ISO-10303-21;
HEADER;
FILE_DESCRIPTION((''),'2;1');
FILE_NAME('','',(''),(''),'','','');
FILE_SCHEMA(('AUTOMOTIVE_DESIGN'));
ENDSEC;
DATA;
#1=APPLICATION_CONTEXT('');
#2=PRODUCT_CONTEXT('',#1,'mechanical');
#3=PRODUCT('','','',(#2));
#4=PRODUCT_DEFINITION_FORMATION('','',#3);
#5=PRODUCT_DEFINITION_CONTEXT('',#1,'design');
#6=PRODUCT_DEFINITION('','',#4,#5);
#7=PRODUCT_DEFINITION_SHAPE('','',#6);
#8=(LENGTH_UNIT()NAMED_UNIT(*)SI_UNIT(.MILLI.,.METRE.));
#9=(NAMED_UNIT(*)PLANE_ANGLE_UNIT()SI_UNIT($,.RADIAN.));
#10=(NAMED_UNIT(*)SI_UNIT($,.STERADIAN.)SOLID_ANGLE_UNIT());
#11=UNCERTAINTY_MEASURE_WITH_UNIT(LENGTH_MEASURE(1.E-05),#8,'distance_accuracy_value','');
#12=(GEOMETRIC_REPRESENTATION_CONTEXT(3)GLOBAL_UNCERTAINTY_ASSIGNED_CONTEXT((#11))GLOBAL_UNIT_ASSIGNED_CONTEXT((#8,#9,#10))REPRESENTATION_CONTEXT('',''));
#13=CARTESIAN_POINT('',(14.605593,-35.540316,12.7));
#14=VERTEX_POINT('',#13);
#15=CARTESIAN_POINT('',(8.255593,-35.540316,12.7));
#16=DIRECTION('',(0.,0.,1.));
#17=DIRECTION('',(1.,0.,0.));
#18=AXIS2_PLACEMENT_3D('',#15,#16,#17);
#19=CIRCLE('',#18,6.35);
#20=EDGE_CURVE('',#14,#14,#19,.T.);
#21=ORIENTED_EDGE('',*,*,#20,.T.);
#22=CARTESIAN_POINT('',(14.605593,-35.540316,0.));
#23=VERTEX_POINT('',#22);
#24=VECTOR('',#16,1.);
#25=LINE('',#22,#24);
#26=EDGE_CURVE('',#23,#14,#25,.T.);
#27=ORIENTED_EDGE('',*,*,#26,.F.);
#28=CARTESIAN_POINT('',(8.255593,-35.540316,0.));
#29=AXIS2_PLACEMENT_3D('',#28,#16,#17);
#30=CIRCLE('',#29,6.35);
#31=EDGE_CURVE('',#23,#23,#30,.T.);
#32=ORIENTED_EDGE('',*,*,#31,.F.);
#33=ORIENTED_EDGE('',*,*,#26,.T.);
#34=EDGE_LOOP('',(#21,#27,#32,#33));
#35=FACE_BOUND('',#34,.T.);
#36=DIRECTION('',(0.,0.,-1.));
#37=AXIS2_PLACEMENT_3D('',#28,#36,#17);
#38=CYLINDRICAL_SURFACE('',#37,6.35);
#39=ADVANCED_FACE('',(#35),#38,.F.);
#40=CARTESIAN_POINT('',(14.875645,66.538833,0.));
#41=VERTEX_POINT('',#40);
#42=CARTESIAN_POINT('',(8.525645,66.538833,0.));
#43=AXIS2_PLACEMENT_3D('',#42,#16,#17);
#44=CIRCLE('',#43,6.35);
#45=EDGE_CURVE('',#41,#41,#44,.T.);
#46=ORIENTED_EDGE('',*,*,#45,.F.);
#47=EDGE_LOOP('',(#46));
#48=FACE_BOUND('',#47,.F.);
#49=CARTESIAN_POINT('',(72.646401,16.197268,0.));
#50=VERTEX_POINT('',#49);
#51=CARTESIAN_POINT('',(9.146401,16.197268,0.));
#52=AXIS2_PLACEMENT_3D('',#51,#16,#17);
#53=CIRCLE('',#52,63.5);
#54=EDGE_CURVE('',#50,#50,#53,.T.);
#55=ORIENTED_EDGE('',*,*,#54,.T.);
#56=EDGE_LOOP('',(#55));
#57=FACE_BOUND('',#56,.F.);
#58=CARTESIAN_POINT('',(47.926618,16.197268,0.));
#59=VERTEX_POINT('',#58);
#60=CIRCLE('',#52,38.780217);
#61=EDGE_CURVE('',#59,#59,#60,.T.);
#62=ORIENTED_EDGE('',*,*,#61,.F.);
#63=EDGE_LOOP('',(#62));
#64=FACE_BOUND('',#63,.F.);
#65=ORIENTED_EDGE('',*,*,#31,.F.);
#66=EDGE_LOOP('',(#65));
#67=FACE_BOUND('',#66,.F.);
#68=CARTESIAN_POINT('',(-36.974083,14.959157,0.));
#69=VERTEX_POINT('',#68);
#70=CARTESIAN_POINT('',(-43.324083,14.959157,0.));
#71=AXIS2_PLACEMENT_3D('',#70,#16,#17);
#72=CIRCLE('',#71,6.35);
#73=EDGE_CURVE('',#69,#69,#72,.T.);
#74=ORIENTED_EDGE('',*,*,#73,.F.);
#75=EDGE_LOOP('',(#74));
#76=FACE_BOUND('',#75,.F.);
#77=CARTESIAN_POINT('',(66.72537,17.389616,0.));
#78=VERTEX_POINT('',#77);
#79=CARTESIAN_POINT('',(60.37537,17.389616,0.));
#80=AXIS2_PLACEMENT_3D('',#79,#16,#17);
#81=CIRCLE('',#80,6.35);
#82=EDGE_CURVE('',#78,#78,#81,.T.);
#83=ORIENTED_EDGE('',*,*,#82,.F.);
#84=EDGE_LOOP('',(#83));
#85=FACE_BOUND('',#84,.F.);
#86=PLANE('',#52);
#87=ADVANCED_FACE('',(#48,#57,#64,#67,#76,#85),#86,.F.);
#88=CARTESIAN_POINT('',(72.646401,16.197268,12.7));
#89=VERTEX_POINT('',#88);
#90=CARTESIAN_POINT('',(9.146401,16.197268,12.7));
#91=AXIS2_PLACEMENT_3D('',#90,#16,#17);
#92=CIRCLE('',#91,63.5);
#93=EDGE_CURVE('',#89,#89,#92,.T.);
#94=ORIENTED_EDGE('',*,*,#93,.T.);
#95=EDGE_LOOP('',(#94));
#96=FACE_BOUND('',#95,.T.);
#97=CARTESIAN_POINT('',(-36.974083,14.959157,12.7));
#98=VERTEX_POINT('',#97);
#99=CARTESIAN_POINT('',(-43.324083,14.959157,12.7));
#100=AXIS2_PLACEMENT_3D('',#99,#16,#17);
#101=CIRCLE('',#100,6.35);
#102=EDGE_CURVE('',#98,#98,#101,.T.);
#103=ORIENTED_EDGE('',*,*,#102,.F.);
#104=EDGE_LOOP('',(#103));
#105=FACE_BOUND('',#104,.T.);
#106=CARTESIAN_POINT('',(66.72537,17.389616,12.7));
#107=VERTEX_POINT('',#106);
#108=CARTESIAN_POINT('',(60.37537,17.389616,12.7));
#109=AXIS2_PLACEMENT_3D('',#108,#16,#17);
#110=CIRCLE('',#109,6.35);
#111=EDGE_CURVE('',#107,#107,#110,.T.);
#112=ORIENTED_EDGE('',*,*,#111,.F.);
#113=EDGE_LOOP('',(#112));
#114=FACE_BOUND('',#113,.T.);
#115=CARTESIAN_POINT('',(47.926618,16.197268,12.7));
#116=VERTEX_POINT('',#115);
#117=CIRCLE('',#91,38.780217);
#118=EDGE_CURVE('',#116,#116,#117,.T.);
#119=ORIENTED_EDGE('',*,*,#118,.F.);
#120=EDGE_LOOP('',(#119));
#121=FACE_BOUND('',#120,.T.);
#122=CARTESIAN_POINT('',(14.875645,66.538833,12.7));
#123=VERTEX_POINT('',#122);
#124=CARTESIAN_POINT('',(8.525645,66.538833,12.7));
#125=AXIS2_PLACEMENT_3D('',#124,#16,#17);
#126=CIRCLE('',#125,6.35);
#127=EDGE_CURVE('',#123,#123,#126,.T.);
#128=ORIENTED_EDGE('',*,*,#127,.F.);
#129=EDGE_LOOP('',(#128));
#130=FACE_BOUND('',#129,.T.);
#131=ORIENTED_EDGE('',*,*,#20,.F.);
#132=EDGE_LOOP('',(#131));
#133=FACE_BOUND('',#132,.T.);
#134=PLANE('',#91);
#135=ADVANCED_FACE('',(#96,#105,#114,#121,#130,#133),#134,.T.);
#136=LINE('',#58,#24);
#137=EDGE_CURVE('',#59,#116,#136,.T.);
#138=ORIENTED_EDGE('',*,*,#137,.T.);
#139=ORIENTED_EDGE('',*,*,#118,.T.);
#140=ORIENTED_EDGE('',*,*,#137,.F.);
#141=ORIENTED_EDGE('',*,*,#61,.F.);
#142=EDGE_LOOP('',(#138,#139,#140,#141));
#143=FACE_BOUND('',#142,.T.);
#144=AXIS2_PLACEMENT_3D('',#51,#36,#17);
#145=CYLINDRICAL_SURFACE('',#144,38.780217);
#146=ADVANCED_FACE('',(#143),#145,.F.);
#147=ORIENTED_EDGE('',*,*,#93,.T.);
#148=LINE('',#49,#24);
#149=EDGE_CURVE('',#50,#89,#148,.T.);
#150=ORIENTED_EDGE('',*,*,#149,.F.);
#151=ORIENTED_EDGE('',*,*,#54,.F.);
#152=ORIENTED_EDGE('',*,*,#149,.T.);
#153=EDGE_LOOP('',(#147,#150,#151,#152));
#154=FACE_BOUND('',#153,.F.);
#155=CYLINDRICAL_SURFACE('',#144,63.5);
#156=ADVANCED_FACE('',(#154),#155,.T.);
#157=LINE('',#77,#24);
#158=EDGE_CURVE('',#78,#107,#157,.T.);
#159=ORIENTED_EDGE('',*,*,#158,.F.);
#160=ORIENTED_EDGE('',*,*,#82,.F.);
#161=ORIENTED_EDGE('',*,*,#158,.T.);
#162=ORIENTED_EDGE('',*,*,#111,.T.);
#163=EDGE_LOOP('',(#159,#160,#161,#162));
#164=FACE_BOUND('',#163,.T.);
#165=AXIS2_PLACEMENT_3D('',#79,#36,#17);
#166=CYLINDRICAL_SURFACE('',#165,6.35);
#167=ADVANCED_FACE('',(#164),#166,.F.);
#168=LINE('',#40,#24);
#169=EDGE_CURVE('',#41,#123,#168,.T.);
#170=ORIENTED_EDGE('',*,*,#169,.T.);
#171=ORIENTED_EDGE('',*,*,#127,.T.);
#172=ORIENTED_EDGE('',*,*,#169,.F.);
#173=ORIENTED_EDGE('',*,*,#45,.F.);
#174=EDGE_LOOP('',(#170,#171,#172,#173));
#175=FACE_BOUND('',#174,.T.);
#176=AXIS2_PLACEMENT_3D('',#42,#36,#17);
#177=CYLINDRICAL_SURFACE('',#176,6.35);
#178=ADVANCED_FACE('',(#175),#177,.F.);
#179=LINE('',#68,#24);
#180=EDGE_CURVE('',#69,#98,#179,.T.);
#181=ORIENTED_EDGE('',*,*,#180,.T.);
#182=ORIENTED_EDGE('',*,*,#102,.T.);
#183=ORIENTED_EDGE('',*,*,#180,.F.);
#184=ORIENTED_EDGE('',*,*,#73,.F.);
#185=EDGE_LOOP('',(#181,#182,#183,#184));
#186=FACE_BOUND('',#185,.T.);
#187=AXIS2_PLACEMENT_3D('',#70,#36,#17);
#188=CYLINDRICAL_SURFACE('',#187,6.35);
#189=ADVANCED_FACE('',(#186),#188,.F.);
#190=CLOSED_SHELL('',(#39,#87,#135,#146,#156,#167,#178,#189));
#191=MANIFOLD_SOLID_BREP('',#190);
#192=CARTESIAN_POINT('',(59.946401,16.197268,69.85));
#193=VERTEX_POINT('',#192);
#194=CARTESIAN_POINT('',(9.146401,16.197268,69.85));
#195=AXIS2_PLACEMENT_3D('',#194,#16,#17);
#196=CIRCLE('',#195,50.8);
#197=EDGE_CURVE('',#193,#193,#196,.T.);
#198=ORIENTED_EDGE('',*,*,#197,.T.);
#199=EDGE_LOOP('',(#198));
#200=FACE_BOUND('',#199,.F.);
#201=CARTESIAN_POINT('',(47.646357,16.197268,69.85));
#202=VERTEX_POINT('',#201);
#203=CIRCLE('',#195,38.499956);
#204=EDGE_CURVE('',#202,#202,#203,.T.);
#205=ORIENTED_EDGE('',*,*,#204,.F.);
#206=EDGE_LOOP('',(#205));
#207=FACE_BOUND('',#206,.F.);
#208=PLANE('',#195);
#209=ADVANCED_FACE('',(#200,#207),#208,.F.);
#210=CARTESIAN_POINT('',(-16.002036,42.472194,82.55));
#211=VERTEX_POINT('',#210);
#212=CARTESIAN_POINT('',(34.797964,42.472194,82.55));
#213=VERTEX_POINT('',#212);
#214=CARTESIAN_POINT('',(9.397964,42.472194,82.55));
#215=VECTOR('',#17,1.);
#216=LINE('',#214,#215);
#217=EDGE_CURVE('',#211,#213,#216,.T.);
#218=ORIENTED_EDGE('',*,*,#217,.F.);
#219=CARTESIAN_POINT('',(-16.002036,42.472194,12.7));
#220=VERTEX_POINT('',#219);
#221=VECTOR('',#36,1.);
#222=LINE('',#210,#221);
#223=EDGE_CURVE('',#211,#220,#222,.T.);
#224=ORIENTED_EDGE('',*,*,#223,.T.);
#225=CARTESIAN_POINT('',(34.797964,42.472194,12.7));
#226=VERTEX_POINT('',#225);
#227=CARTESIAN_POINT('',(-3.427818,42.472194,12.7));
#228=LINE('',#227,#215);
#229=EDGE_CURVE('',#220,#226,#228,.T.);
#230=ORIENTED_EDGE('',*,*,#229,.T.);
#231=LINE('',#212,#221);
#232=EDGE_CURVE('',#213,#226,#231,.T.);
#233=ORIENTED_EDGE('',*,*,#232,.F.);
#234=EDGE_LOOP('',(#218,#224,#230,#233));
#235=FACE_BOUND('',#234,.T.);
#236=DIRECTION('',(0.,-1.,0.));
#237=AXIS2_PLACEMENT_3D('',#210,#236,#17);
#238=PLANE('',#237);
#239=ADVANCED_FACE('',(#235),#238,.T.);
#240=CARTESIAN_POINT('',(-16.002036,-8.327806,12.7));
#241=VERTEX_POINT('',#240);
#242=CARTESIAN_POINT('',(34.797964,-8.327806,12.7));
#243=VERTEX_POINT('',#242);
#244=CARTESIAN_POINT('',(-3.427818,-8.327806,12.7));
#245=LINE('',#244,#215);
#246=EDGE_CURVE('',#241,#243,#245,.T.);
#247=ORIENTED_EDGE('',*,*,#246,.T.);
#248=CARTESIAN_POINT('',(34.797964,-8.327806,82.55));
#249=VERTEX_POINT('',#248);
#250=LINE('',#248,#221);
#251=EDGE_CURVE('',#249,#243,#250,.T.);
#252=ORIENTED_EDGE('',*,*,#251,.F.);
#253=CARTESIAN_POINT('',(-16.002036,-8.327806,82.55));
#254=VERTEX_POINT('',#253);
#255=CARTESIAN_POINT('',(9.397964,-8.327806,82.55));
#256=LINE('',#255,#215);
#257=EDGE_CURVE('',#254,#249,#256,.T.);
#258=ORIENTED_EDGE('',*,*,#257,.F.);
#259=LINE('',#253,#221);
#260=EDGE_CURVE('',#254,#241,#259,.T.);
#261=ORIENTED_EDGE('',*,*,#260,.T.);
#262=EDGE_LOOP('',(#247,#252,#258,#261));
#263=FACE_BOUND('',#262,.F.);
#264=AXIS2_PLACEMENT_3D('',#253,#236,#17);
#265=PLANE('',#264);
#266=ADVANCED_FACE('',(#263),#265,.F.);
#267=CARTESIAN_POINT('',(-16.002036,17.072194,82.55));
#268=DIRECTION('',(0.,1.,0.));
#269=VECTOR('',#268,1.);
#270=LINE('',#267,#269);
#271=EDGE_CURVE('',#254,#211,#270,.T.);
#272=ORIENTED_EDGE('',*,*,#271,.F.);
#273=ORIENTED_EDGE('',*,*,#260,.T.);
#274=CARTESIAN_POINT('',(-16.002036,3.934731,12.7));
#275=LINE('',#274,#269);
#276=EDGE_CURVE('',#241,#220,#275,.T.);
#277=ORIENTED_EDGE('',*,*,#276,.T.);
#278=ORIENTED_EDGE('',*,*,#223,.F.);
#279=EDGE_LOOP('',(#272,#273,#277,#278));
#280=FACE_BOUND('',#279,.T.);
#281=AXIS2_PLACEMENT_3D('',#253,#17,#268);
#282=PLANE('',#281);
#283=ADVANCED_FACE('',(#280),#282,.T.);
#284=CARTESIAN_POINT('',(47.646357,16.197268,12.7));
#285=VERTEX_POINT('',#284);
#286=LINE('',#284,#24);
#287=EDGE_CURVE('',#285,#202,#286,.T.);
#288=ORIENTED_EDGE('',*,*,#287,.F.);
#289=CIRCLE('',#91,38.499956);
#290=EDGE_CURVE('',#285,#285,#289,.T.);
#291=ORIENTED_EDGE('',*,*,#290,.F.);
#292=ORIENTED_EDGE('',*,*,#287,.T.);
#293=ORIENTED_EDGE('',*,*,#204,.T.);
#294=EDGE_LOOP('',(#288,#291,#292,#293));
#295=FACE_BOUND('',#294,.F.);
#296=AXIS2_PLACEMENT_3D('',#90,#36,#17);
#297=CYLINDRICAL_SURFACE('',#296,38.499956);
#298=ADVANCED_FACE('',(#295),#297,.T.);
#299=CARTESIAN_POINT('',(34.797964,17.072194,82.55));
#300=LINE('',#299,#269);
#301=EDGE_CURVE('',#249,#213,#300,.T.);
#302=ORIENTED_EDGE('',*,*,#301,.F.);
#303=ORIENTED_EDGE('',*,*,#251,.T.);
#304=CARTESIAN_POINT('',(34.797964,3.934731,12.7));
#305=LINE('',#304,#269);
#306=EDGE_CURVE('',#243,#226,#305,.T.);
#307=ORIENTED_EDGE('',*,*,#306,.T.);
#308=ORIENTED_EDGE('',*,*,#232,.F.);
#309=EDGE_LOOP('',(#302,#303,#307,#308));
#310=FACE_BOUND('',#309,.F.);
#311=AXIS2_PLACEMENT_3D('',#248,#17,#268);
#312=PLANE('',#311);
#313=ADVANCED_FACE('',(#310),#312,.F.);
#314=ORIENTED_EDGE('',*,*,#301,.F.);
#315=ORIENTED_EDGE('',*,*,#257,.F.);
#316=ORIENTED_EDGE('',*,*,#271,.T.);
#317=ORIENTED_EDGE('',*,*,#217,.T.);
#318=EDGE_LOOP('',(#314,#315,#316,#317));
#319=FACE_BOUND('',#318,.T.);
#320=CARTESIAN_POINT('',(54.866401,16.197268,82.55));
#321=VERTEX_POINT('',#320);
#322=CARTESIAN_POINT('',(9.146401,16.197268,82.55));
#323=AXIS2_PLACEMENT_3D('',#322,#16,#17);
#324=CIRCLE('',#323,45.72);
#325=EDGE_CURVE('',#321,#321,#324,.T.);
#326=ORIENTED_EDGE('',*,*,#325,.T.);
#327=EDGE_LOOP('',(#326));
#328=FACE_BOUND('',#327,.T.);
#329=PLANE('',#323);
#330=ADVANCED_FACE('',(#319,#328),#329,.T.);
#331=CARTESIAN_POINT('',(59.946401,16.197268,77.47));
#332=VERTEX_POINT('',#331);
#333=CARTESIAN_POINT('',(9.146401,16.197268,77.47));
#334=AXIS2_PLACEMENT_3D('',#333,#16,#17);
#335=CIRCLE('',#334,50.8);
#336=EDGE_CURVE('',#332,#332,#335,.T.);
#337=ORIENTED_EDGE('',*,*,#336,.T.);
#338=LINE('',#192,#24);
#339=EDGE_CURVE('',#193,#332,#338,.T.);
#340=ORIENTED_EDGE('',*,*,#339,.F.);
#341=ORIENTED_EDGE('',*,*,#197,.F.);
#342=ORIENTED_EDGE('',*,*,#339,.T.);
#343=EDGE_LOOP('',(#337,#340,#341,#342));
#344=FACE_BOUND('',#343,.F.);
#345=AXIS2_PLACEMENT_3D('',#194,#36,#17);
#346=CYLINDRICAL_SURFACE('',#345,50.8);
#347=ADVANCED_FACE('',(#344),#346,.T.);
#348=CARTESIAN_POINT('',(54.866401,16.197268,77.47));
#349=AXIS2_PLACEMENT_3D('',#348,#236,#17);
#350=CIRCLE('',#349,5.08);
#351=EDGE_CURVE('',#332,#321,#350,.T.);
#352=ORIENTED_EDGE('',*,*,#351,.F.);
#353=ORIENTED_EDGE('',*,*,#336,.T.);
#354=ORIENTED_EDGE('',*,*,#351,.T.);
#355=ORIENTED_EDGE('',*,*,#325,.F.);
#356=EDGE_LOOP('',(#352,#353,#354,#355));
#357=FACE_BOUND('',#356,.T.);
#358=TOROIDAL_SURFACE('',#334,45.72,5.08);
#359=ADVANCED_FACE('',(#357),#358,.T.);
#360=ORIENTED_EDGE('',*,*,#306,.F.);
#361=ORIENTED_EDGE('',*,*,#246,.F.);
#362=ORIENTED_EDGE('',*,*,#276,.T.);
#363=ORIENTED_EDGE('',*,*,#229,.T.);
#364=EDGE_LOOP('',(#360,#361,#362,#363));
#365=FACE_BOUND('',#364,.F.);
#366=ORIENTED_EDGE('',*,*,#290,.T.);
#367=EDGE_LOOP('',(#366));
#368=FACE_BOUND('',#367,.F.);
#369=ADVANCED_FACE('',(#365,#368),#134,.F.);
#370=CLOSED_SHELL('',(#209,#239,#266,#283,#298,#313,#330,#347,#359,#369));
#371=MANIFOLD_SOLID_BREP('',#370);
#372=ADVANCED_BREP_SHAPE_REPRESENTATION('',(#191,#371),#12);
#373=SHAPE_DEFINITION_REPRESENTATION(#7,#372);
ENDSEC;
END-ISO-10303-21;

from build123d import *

# Parameters (mm, degrees)
F0_R     = 63.5
F0_R_2   = 6.35
F0_R_3   = 38.780217
F1_DEPTH = 12.7
F2_R     = 38.499956
F3_DEPTH = 57.15
F4_R     = 50.8
F4_R_2   = 38.499956
F5_DEPTH = 12.7
F6_W     = 50.8
F6_H     = 50.8
F7_DEPTH = 110.998
F8_R     = 5.08


with BuildPart() as f1:
    # F0 (on Top) → F1 (new body)
    with BuildSketch(Plane.XY):
        with Locations((9.146401, 16.197268)):
            Circle(F0_R)
        with Locations((8.255593, -35.540316)):
            Circle(F0_R_2, mode=Mode.SUBTRACT)
        with Locations((-43.324083, 14.959157)):
            Circle(F0_R_2, mode=Mode.SUBTRACT)
        with Locations((8.525645, 66.538833)):
            Circle(F0_R_2, mode=Mode.SUBTRACT)
        with Locations((9.146401, 16.197268)):
            Circle(F0_R_3, mode=Mode.SUBTRACT)
        with Locations((60.37537, 17.389616)):
            Circle(F0_R_2, mode=Mode.SUBTRACT)
    extrude(amount=F1_DEPTH)


with BuildPart() as f3:
    # F2 (on face) → F3 (new body)
    with BuildSketch(Plane.XY.offset(12.7)):
        with Locations((9.146401, 16.197268)):
            Circle(F2_R)
    extrude(amount=F3_DEPTH)

    # F4 (on face) → F5 (join)
    with BuildSketch(Plane.XY.offset(69.85)):
        with Locations((9.146401, 16.197268)):
            Circle(F4_R)
        with Locations((9.146401, 16.197268)):
            Circle(F4_R_2, mode=Mode.SUBTRACT)
        with Locations((9.146401, 16.197268)):
            Circle(F4_R_2)
    extrude(amount=F5_DEPTH)

    # F6 (on face) → F7 (cut)
    with BuildSketch(Plane.XY.offset(82.55)):
        with Locations((9.397964, 17.072194)):
            Rectangle(F6_W, F6_H)
    extrude(amount=-F7_DEPTH, mode=Mode.SUBTRACT)

    # F8
    f8_edges = [f3.edges().sort_by_distance(p)[0] for p in [
        (-41.653599, 16.197268, 82.55),
    ]]
    fillet(f8_edges, radius=F8_R)


solid = Compound([f1.part, f3.part])
